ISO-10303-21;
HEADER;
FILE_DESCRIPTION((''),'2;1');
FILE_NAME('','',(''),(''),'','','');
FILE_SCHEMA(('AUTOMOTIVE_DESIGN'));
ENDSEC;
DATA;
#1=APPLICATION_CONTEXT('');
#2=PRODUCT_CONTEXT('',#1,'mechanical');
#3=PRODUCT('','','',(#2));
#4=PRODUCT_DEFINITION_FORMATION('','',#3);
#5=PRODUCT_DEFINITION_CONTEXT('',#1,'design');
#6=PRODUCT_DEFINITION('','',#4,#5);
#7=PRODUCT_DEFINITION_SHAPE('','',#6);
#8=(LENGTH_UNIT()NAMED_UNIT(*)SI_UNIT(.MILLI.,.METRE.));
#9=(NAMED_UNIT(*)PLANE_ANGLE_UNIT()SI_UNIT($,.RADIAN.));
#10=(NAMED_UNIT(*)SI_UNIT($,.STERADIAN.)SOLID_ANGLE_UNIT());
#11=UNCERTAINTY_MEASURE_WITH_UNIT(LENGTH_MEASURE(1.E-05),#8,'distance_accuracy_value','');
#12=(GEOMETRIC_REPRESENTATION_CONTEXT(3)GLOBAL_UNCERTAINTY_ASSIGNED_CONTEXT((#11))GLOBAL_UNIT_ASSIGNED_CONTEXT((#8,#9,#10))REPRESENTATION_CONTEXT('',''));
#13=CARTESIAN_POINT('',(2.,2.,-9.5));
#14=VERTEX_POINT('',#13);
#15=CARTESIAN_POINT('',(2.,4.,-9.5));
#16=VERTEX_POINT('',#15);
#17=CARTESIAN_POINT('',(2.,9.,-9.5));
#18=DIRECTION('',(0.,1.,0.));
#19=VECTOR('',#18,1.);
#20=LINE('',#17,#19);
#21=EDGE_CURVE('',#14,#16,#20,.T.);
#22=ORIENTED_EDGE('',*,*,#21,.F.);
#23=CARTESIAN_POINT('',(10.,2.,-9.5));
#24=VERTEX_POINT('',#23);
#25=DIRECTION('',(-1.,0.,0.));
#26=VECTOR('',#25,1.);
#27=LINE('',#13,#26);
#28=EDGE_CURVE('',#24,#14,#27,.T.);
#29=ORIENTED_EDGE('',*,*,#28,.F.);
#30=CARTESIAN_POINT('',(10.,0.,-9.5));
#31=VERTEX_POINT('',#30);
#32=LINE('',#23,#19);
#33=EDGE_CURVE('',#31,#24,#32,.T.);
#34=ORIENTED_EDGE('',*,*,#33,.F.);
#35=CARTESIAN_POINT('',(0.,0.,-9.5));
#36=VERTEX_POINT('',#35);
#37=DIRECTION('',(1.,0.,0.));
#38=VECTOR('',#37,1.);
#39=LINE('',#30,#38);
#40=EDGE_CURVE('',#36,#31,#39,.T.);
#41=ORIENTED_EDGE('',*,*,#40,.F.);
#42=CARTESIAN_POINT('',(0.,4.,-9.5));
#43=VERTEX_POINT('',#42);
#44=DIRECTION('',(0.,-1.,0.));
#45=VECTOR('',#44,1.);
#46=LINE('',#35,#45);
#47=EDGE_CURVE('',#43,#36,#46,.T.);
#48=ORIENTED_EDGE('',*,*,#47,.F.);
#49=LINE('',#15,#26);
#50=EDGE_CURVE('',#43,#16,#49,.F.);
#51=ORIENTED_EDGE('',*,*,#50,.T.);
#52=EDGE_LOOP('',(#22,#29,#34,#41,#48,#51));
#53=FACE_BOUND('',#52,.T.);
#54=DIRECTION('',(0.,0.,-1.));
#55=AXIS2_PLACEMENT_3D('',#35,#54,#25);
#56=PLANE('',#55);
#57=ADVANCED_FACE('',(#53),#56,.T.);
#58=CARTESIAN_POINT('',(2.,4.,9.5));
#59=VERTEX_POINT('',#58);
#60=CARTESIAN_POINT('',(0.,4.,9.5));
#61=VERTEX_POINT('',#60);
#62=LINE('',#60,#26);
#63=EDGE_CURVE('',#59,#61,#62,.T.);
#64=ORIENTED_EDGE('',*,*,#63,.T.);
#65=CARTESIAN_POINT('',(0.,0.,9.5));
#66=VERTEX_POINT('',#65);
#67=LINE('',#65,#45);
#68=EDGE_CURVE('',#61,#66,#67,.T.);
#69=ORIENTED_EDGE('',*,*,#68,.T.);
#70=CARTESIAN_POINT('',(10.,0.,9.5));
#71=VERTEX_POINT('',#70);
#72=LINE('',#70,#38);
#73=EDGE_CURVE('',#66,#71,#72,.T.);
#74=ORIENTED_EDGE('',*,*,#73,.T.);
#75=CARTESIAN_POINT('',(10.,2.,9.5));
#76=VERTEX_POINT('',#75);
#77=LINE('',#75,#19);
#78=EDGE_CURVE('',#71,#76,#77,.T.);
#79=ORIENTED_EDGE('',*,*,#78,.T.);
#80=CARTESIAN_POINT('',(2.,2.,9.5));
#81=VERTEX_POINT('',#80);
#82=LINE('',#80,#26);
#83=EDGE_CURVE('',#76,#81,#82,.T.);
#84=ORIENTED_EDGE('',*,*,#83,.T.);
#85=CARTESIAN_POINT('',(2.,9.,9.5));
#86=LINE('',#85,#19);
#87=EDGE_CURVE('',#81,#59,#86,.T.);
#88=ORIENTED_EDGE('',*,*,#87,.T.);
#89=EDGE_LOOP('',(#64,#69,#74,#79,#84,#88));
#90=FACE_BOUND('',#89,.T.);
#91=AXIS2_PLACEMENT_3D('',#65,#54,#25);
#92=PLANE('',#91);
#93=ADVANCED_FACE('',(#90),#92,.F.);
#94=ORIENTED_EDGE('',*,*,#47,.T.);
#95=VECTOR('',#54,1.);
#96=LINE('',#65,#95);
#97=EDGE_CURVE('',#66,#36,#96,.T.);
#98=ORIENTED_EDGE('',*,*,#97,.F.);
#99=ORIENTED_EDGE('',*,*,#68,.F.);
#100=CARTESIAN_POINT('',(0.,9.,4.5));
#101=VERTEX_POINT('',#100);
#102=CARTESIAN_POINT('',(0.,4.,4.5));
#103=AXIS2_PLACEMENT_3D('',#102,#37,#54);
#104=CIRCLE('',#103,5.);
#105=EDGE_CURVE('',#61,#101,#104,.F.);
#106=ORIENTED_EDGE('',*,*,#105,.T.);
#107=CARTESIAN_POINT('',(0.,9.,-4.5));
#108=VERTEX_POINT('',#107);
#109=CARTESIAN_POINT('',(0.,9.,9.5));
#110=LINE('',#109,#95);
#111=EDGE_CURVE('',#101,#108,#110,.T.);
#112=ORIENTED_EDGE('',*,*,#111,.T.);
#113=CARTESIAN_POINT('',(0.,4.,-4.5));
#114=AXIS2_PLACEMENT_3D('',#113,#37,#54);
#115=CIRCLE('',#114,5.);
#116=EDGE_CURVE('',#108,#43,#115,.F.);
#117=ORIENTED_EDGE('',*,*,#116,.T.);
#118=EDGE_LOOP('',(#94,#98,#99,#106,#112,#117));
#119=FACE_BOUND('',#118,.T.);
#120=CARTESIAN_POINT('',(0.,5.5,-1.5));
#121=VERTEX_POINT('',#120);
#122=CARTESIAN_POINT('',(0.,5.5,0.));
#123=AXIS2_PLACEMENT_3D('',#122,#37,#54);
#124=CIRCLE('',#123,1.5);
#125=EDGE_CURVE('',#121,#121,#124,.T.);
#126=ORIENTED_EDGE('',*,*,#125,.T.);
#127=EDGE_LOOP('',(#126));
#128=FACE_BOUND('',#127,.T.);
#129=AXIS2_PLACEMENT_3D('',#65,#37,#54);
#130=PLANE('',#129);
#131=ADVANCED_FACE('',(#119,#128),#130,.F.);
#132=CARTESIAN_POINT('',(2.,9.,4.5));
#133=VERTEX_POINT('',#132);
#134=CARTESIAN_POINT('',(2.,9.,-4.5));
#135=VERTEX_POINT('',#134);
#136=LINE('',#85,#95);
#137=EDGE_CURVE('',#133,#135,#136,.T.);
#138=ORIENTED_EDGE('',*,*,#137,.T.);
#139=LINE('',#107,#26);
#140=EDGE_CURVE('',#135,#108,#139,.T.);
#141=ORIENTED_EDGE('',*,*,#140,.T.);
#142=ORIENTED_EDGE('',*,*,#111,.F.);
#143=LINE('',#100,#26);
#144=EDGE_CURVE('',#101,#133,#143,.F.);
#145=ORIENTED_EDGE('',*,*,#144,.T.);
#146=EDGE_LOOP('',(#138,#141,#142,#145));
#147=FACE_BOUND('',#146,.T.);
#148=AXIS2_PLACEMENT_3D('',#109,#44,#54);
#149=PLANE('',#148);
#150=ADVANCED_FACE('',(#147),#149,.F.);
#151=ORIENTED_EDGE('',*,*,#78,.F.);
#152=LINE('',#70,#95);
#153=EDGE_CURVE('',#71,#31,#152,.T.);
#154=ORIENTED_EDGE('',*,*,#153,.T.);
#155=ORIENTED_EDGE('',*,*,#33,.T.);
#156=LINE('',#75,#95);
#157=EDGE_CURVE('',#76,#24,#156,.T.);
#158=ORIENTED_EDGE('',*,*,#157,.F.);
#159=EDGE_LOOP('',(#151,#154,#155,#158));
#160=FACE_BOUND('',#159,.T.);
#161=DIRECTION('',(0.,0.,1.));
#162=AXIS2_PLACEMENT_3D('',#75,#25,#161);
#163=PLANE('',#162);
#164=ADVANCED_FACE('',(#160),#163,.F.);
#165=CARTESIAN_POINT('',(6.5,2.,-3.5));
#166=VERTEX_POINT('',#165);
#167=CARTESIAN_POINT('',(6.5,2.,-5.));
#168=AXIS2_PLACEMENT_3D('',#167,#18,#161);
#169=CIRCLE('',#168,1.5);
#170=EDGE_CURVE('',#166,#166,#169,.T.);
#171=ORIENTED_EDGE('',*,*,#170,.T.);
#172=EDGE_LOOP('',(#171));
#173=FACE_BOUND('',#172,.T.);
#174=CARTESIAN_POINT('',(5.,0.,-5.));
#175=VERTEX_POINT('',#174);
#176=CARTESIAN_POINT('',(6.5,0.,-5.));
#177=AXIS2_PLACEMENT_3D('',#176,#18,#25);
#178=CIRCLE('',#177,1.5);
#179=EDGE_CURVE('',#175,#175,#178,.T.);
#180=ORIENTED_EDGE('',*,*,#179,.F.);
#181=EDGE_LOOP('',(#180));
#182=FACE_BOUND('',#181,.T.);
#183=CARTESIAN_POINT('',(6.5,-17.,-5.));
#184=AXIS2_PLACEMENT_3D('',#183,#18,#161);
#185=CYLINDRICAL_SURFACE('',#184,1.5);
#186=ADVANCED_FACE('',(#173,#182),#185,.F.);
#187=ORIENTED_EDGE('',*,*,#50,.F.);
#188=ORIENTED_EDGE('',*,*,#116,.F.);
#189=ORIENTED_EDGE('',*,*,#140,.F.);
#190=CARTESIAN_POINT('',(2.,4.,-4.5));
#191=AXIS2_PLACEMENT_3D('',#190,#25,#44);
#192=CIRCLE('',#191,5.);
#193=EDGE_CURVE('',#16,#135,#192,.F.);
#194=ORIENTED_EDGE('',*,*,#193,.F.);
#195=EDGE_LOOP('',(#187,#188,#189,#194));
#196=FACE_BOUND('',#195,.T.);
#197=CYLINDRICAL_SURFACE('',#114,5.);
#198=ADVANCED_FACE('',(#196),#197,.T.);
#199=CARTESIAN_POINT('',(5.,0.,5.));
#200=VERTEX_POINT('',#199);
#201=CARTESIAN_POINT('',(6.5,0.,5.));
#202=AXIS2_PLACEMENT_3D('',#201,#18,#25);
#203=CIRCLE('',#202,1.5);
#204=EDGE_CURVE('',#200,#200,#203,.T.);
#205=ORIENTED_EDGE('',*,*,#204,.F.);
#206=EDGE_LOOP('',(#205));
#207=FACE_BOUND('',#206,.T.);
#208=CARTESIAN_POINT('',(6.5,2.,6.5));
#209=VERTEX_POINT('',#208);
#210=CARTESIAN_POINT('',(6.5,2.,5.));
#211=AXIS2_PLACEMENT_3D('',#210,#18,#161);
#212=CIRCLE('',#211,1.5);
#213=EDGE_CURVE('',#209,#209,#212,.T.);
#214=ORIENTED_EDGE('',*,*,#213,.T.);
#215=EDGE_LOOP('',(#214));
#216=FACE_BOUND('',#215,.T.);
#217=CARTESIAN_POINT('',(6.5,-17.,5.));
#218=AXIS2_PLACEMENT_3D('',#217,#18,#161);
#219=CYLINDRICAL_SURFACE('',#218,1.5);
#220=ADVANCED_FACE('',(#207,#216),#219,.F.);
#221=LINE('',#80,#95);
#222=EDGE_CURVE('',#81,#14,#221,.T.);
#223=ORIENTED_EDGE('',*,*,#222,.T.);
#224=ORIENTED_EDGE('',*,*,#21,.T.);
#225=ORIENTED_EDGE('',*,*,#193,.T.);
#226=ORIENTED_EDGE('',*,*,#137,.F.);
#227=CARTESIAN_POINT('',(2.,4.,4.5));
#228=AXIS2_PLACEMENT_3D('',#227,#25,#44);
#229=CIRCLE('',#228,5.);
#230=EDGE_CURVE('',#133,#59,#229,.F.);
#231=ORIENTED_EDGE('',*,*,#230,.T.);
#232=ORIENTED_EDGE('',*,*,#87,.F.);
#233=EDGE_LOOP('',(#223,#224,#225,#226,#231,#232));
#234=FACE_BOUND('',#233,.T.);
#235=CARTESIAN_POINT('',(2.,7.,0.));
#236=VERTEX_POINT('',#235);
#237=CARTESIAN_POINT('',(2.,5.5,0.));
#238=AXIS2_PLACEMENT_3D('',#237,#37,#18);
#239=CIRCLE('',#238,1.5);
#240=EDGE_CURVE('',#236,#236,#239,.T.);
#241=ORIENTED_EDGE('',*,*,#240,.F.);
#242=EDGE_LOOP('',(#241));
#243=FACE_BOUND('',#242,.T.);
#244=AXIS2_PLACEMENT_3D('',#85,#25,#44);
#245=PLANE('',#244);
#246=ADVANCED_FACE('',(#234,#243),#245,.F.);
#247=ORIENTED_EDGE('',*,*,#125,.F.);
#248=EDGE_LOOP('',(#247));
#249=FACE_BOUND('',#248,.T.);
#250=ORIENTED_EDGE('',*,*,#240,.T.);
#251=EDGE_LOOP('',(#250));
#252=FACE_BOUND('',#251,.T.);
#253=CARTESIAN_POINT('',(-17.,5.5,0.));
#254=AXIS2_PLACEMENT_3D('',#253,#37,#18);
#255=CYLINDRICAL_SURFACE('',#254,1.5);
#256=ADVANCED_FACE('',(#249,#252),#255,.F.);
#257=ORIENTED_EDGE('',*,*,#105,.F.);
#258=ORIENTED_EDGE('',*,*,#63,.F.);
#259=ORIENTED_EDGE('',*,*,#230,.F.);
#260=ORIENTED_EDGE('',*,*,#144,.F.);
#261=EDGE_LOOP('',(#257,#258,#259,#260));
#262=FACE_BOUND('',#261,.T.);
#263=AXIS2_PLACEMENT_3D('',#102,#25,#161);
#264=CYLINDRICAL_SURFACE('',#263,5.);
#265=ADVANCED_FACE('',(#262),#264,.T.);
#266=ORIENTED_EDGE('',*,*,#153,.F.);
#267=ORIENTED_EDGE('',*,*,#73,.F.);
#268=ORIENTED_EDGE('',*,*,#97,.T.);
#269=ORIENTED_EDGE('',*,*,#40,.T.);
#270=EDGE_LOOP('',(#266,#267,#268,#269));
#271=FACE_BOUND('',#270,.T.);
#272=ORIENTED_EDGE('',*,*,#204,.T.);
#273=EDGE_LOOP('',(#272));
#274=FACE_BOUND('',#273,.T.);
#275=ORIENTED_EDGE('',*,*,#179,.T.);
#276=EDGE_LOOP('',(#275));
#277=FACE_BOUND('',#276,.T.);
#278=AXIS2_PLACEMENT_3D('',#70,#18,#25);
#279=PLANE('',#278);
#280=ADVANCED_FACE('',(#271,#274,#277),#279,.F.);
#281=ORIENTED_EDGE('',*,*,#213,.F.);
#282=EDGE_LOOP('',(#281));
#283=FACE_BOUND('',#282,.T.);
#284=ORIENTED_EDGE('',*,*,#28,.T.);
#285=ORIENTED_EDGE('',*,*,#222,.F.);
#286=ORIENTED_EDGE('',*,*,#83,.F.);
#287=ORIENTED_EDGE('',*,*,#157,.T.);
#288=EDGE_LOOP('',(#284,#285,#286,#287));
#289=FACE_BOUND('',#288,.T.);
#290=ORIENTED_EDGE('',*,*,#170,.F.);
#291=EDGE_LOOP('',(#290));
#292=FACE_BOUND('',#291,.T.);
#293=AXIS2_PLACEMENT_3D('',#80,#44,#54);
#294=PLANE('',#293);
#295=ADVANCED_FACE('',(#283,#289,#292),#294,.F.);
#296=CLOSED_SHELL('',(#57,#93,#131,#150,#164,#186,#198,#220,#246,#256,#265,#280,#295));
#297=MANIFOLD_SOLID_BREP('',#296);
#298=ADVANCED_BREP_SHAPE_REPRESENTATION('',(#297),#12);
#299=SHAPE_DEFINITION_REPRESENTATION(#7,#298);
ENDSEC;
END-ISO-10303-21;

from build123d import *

# Parameters (mm, degrees)
BOSS_EXTRUDE1_DEPTH = 9.5
SKETCH2_R           = 1.5
CUT_EXTRUDE1_DEPTH  = 19
SKETCH3_R           = 1.5
CUT_EXTRUDE2_DEPTH  = 19
FILLET1_R           = 5


with BuildPart() as part:
    # Sketch1 → Boss-Extrude1 (new, symmetric)
    with BuildSketch(Plane.XY):
        Polygon((0, 0), (0, 9), (2, 9), (2, 2), (10, 2), (10, 0), align=None)
    extrude(amount=BOSS_EXTRUDE1_DEPTH, both=True)

    # Sketch2 → Cut-Extrude1 (cut)
    with BuildSketch(Plane(origin=(0, 2, 0), x_dir=(1, 0, 0), z_dir=(0, 1, 0))):
        with Locations(Location((6.5, 5, 0), (0, 0, 270))):
            Circle(SKETCH2_R)
        with Locations(Location((6.5, -5, 0), (0, 0, 270))):
            Circle(SKETCH2_R)
    extrude(amount=-CUT_EXTRUDE1_DEPTH, mode=Mode.SUBTRACT)

    # Sketch3 → Cut-Extrude2 (cut)
    with BuildSketch(Plane(origin=(2, 0, 0), x_dir=(0, 0, -1), z_dir=(1, 0, 0))):
        with Locations(Location((0, 5.5, 0), (0, 0, 90))):
            Circle(SKETCH3_R)
    extrude(amount=-CUT_EXTRUDE2_DEPTH, mode=Mode.SUBTRACT)

    # Fillet1
    fillet1_edges = [part.edges().sort_by_distance(p)[0] for p in [
        (1, 9, 9.5),
        (1, 9, -9.5),
    ]]
    fillet(fillet1_edges, radius=FILLET1_R)


solid = part.part
